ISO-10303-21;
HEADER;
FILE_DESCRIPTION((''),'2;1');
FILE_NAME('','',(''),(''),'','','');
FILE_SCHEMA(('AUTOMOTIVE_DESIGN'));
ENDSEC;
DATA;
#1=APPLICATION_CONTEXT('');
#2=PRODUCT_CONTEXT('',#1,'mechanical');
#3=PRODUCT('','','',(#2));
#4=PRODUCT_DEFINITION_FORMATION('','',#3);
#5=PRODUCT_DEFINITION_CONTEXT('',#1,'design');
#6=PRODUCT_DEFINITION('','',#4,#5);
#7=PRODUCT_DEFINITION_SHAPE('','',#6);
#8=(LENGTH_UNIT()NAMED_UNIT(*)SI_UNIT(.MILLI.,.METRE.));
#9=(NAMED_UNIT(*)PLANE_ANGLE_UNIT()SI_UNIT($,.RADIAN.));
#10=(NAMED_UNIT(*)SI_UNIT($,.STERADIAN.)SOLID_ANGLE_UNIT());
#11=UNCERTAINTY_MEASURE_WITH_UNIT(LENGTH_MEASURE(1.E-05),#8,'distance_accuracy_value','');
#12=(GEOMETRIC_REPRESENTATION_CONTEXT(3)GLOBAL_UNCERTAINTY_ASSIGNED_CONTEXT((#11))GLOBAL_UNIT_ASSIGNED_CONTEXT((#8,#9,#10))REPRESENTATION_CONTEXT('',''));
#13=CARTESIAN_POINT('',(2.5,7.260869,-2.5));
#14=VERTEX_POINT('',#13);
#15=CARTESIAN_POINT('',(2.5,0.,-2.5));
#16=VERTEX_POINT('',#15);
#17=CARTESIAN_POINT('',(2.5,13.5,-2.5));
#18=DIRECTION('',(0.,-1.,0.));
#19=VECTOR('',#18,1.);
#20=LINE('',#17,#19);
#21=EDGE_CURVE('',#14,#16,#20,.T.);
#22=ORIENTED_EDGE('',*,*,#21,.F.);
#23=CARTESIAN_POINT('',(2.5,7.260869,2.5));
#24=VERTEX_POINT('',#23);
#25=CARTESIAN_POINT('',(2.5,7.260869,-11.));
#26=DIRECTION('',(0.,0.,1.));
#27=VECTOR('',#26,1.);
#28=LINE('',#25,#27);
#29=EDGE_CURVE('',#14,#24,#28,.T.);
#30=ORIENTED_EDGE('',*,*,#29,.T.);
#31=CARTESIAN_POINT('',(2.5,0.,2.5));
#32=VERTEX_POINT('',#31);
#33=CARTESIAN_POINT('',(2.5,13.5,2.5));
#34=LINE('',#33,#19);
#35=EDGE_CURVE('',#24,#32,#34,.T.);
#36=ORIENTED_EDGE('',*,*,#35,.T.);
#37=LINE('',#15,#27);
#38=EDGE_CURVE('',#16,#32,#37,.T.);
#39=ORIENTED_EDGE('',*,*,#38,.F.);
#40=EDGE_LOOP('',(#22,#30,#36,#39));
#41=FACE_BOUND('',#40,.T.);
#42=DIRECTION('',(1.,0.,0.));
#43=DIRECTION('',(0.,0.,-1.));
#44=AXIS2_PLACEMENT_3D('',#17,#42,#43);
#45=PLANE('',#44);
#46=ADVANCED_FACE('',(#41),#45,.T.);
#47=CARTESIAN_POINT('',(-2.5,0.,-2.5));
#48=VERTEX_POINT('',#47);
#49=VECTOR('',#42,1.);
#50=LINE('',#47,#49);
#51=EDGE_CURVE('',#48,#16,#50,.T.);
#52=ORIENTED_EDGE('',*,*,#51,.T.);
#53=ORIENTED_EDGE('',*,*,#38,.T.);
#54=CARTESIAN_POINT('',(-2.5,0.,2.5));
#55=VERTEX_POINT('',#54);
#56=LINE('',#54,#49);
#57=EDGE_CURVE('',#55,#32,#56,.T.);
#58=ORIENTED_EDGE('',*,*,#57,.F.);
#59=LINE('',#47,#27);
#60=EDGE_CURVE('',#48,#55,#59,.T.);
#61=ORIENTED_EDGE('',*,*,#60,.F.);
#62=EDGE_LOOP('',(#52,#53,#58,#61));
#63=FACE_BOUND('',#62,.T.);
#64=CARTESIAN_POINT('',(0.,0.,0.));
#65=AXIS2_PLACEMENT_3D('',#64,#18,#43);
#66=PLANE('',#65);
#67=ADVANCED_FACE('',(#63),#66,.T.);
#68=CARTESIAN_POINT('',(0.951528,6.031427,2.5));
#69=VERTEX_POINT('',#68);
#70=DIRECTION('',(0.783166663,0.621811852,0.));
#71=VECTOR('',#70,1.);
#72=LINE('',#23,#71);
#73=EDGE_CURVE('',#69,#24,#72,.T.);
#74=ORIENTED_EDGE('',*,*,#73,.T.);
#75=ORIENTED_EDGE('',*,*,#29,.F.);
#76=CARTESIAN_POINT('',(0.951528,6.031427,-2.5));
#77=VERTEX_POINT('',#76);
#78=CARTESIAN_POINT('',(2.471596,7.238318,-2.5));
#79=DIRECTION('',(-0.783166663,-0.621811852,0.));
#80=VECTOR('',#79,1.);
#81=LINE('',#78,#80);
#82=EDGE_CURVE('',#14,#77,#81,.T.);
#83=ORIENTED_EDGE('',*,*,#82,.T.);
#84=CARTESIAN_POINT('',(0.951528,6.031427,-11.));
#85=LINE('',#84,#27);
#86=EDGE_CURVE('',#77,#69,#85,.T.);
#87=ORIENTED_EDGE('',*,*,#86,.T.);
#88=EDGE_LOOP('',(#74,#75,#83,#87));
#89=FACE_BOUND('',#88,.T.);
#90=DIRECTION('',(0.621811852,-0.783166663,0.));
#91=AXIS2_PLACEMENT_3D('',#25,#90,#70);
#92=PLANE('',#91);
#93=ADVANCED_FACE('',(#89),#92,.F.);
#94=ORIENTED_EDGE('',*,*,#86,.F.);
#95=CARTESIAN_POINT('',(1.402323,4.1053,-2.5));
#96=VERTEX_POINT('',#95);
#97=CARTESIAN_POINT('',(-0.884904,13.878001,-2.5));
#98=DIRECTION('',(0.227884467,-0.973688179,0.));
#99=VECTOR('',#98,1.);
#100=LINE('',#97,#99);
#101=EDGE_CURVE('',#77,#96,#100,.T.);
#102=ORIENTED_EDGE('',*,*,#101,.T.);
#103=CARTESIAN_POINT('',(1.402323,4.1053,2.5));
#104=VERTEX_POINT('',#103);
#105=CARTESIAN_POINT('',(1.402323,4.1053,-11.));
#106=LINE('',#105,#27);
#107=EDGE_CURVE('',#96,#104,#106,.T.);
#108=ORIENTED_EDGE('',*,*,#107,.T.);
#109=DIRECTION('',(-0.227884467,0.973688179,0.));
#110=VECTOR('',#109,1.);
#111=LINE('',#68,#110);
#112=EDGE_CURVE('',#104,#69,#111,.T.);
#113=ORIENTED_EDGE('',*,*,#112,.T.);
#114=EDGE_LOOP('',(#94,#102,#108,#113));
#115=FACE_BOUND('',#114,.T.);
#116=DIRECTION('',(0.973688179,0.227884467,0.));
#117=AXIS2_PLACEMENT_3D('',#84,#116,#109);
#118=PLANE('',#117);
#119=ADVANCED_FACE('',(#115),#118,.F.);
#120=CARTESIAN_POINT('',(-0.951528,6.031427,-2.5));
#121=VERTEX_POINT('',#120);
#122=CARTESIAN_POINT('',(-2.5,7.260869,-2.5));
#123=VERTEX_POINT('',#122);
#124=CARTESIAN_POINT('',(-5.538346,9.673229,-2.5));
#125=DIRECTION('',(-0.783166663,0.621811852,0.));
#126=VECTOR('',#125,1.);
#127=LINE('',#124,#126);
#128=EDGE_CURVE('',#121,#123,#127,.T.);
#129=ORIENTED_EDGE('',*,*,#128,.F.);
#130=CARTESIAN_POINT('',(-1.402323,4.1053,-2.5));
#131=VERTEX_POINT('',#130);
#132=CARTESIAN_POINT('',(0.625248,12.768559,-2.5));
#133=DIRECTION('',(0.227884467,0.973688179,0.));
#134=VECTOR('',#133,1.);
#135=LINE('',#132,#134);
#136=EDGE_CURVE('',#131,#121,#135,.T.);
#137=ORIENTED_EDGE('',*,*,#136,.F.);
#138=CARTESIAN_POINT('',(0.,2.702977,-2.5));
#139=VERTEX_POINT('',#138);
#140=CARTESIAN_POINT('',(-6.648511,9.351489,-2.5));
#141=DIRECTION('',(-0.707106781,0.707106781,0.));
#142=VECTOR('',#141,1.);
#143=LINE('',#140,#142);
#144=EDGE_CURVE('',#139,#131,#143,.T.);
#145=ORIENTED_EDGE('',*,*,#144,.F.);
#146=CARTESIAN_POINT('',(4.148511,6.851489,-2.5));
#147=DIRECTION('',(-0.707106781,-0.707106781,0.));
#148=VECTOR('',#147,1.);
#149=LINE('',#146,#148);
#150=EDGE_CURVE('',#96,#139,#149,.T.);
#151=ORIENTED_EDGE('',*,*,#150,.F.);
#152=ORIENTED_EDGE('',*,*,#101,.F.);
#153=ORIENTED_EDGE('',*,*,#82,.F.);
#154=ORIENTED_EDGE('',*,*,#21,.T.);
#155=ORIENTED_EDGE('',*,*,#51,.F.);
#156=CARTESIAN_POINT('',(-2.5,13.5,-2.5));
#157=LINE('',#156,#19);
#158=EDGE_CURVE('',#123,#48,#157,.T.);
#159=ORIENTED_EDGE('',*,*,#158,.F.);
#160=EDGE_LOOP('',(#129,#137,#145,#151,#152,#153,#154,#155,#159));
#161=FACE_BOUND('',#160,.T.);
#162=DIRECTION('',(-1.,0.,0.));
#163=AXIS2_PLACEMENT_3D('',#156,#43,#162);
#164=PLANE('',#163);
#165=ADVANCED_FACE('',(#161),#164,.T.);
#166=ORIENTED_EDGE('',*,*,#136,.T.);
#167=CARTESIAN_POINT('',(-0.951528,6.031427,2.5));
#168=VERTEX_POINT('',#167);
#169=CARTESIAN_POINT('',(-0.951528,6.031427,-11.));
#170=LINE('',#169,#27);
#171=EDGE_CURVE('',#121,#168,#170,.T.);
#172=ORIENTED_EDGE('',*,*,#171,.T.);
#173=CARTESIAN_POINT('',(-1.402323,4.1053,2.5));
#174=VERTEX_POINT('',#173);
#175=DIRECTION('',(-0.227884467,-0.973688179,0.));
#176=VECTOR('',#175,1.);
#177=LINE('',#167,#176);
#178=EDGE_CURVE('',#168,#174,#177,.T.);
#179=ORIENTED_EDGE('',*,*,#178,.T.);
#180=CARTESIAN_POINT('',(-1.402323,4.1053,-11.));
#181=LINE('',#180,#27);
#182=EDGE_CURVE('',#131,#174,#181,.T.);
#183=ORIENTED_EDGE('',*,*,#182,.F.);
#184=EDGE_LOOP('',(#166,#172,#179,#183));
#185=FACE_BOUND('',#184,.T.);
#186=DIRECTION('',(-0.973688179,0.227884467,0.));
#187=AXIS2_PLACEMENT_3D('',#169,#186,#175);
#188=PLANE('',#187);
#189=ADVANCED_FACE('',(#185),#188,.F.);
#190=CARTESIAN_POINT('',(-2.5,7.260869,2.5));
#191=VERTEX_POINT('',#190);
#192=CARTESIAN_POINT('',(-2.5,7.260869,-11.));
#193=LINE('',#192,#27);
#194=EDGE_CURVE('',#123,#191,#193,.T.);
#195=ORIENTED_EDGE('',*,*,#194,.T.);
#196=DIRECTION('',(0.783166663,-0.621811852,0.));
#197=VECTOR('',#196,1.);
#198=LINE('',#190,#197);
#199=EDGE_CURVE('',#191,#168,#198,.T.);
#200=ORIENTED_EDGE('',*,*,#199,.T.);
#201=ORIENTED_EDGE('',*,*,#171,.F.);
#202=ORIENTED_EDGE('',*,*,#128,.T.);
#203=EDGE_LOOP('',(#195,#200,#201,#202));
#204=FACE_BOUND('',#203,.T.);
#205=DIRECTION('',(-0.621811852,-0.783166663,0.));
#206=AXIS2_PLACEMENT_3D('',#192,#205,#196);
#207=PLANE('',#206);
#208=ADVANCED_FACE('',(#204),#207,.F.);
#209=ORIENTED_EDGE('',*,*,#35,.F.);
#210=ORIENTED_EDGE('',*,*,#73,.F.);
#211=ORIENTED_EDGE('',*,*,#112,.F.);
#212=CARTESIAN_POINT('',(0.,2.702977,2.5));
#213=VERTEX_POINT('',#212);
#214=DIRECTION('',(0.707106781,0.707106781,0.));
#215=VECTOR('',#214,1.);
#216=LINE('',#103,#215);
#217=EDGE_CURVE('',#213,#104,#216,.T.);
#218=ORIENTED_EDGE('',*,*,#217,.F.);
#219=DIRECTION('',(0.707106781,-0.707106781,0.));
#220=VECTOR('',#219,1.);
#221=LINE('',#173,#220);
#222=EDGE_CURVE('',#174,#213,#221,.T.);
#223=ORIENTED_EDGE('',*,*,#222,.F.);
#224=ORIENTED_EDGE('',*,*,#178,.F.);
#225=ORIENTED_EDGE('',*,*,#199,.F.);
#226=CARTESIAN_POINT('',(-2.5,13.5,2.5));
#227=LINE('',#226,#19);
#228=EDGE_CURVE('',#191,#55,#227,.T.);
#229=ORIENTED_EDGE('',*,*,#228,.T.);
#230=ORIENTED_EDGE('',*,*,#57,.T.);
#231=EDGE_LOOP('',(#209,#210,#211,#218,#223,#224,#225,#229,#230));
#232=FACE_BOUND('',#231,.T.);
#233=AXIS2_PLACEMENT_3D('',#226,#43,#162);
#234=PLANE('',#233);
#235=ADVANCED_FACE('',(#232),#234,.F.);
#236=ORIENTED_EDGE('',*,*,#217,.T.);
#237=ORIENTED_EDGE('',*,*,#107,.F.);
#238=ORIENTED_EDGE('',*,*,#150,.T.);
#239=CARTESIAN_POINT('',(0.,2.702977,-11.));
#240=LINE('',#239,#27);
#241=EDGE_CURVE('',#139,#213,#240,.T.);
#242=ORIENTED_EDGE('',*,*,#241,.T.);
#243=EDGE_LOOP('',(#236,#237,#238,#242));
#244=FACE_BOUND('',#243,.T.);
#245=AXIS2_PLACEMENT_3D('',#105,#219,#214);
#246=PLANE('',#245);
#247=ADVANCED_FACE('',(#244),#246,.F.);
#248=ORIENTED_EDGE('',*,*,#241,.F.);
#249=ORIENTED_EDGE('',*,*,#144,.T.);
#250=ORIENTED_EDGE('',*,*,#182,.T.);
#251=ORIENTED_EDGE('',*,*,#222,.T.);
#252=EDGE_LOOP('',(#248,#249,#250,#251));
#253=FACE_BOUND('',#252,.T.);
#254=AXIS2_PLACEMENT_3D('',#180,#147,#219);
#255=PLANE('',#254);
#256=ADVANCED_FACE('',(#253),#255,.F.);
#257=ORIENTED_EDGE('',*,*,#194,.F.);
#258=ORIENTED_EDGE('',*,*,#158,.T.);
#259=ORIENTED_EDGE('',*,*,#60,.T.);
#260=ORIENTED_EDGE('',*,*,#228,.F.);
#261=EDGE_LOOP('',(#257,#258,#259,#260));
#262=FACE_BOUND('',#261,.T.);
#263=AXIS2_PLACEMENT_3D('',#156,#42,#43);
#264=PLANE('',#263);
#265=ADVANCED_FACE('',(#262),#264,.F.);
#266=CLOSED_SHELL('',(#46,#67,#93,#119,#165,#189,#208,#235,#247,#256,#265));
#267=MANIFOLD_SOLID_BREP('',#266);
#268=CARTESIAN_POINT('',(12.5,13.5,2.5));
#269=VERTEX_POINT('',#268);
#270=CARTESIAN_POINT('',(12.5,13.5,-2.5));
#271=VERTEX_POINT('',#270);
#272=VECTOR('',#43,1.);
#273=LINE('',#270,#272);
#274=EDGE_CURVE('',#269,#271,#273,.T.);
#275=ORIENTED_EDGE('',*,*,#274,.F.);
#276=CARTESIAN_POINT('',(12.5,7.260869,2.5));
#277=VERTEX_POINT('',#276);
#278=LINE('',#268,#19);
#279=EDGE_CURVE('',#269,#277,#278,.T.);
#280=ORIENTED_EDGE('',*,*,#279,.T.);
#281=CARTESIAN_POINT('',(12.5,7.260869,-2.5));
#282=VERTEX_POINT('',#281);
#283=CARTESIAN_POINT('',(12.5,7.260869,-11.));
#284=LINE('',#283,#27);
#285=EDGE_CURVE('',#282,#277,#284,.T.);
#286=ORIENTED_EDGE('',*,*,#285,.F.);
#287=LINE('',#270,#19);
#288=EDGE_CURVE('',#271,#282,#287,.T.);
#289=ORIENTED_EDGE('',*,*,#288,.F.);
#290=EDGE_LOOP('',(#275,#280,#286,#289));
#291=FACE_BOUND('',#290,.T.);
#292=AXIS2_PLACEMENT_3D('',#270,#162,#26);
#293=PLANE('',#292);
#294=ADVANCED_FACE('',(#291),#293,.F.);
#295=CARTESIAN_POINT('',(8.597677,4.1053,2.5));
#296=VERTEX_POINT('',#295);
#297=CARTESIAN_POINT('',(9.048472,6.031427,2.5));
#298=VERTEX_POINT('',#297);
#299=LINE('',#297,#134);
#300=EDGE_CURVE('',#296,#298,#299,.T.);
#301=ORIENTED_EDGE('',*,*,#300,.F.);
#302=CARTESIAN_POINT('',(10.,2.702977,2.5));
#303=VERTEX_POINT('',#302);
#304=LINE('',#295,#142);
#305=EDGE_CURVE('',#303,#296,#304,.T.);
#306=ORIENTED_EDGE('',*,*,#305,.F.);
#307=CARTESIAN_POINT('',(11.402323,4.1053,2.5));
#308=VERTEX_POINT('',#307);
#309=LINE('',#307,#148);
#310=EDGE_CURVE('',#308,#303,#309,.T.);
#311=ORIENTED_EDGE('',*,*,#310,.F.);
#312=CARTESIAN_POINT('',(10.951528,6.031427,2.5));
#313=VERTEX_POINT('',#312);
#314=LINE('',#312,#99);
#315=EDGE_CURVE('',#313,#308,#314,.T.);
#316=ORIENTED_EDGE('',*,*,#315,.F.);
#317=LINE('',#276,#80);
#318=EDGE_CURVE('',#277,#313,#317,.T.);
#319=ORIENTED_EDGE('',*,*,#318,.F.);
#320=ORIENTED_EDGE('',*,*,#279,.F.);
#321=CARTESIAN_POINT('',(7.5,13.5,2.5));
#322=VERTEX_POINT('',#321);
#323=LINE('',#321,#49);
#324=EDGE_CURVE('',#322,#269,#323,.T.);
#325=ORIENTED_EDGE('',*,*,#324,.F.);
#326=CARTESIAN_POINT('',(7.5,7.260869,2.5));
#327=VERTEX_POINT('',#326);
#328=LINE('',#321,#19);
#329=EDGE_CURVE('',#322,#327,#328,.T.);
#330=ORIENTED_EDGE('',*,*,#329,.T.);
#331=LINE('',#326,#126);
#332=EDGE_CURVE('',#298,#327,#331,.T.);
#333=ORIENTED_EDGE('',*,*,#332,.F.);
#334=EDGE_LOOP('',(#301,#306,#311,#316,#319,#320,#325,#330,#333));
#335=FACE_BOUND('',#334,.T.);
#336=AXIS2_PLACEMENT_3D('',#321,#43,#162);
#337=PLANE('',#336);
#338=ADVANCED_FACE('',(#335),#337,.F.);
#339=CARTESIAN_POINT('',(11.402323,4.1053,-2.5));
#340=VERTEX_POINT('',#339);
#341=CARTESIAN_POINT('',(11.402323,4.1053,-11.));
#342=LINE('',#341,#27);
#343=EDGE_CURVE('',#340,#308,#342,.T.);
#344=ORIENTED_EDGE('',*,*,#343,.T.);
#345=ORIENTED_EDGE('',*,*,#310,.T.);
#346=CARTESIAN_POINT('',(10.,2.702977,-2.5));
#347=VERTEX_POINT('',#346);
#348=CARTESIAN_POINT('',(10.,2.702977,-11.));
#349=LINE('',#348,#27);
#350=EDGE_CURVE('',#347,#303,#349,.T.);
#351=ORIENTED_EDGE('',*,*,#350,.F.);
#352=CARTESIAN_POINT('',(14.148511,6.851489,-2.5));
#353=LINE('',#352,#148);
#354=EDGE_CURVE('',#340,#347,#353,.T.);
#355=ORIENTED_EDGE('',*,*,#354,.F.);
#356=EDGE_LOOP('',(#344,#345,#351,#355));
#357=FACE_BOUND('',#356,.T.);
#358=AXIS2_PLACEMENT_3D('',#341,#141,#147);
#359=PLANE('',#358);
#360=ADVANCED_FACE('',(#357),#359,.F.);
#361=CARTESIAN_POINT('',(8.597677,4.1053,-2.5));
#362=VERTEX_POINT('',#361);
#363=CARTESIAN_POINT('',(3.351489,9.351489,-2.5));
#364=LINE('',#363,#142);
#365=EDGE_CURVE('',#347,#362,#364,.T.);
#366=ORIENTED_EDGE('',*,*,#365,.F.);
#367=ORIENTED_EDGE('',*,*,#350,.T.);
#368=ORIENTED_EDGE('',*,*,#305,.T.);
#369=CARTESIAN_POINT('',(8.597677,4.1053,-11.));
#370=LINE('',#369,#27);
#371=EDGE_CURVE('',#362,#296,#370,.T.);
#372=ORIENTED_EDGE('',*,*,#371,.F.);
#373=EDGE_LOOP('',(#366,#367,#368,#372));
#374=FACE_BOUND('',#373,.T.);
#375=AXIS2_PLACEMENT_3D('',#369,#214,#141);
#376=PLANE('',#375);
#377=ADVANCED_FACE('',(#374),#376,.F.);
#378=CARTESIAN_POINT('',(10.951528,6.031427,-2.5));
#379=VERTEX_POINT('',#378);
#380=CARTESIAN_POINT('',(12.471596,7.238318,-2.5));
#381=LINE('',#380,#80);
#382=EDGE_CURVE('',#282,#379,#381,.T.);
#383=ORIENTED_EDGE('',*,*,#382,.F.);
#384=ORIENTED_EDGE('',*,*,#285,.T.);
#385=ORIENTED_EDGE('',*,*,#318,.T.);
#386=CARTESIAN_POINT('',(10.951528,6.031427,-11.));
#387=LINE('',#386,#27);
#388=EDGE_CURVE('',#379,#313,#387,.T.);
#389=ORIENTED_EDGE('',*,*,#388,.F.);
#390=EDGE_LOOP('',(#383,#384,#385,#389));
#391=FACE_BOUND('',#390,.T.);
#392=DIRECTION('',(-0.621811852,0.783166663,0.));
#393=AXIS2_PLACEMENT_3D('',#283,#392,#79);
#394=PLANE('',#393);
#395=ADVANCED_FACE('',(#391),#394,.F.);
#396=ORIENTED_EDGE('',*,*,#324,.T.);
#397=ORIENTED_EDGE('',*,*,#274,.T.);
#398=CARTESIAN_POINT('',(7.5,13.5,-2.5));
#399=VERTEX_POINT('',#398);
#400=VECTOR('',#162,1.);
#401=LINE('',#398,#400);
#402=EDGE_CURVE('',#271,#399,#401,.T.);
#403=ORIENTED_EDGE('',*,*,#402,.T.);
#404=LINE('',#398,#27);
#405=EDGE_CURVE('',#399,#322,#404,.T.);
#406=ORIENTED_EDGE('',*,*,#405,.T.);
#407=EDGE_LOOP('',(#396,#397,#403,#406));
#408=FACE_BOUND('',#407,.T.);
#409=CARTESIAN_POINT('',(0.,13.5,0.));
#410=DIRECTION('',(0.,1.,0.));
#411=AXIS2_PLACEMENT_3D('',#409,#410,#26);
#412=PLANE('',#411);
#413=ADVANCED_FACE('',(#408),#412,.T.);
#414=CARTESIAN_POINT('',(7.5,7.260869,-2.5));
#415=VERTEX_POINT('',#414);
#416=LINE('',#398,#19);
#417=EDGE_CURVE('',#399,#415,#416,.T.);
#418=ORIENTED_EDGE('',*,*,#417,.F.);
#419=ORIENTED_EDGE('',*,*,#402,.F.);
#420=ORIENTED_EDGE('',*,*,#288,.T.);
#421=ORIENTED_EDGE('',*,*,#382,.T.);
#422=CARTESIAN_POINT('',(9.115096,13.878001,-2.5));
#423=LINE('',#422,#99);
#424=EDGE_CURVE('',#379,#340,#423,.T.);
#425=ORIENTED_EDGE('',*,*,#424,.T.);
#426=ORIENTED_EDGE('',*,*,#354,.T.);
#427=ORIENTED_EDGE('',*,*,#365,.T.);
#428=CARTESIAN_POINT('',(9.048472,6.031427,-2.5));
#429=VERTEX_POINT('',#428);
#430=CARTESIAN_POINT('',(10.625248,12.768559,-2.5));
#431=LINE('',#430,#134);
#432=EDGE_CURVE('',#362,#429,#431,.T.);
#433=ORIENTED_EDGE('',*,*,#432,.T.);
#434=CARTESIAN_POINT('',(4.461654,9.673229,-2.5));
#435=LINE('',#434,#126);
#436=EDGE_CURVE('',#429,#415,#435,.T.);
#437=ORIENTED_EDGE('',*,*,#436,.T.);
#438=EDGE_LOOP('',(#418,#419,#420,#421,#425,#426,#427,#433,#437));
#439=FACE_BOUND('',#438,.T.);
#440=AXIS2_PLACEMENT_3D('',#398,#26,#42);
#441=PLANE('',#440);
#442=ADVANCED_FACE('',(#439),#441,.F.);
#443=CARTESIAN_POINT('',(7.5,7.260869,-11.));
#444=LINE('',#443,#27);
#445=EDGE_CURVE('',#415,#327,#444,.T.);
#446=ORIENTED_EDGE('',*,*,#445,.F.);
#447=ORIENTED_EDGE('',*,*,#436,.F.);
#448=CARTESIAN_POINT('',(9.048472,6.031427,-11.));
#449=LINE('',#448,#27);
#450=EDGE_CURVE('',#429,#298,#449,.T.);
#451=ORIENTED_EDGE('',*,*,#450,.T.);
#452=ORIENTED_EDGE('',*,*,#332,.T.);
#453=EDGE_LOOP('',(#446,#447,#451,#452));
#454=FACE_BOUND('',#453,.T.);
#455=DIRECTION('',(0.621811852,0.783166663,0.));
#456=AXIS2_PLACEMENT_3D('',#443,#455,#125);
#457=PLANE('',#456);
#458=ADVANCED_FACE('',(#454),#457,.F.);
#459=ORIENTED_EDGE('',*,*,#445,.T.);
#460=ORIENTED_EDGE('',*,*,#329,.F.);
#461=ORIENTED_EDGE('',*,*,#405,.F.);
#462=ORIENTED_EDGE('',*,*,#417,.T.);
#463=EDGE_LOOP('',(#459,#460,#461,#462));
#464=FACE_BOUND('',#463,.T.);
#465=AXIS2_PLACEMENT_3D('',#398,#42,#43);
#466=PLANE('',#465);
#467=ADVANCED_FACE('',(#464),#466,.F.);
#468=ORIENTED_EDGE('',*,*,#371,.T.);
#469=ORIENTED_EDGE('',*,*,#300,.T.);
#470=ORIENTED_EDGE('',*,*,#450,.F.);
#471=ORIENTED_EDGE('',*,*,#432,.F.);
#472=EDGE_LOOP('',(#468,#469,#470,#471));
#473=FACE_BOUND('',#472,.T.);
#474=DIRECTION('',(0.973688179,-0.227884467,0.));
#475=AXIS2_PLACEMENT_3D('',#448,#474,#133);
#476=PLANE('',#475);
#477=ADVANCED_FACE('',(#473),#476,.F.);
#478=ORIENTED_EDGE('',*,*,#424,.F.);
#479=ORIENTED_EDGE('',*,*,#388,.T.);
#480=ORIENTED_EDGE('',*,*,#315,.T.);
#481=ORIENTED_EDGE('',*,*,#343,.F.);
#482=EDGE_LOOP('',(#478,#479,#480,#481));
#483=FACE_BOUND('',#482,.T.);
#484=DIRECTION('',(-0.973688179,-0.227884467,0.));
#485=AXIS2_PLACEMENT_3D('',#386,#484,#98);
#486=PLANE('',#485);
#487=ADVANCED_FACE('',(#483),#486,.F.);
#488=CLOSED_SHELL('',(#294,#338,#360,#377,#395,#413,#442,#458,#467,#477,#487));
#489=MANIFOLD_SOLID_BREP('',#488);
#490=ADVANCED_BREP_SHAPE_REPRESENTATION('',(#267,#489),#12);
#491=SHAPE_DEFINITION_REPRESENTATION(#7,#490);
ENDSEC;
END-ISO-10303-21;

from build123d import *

# Parameters (mm, degrees)
SKETCH2_W           = 5
SKETCH2_H           = 5
BOSS_EXTRUDE1_DEPTH = 13.5
SKETCH4_W           = 5
SKETCH4_H           = 5
BOSS_EXTRUDE2_DEPTH = 13.5
CUT_EXTRUDE1_DEPTH  = 13.5


with BuildPart() as part:
    # Sketch2 → Boss-Extrude1 (new body)
    with BuildSketch(Plane(origin=(0, 0, 0), x_dir=(1, 0, 0), z_dir=(0, 1, 0))):
        Rectangle(SKETCH2_W, SKETCH2_H)
    extrude(amount=BOSS_EXTRUDE1_DEPTH)


with BuildPart() as body_2:
    # Sketch4 → Boss-Extrude2 (new body)
    with BuildSketch(Plane(origin=(0, 0, 0), x_dir=(1, 0, 0), z_dir=(0, 1, 0))):
        with Locations((10, 0)):
            Rectangle(SKETCH4_W, SKETCH4_H)
    extrude(amount=BOSS_EXTRUDE2_DEPTH)


with BuildPart() as cut_extrude1_tool:
    # Sketch5 → Cut-Extrude1 (new body)
    with BuildSketch(Plane.XY.offset(2.5)):
        Polygon((-2.5, 7.260869403), (-0.951527857, 6.031426965), (-1.402323417, 4.105300481), (0, 2.702977063), (1.402323417, 4.105300481), (0.951527857, 6.031426965), (2.5, 7.260869403), (2.5, 13.5), (-2.5, 13.5), align=None)
        Polygon((7.5, 7.260869403), (9.048472143, 6.031426965), (8.597676583, 4.105300481), (10, 2.702977063), (11.402323417, 4.105300481), (10.951527857, 6.031426965), (12.5, 7.260869403), (12.5, 0), (7.5, 0), align=None)
    extrude(amount=-CUT_EXTRUDE1_DEPTH)


with BuildPart() as part_1:
    add(part.part)

    # Cut-Extrude1: cut by cut_extrude1_tool
    add(cut_extrude1_tool.part, mode=Mode.SUBTRACT)


with BuildPart() as body_2_1:
    add(body_2.part)

    # Cut-Extrude1: cut by cut_extrude1_tool
    add(cut_extrude1_tool.part, mode=Mode.SUBTRACT)


solid = Compound([part_1.part, body_2_1.part])
